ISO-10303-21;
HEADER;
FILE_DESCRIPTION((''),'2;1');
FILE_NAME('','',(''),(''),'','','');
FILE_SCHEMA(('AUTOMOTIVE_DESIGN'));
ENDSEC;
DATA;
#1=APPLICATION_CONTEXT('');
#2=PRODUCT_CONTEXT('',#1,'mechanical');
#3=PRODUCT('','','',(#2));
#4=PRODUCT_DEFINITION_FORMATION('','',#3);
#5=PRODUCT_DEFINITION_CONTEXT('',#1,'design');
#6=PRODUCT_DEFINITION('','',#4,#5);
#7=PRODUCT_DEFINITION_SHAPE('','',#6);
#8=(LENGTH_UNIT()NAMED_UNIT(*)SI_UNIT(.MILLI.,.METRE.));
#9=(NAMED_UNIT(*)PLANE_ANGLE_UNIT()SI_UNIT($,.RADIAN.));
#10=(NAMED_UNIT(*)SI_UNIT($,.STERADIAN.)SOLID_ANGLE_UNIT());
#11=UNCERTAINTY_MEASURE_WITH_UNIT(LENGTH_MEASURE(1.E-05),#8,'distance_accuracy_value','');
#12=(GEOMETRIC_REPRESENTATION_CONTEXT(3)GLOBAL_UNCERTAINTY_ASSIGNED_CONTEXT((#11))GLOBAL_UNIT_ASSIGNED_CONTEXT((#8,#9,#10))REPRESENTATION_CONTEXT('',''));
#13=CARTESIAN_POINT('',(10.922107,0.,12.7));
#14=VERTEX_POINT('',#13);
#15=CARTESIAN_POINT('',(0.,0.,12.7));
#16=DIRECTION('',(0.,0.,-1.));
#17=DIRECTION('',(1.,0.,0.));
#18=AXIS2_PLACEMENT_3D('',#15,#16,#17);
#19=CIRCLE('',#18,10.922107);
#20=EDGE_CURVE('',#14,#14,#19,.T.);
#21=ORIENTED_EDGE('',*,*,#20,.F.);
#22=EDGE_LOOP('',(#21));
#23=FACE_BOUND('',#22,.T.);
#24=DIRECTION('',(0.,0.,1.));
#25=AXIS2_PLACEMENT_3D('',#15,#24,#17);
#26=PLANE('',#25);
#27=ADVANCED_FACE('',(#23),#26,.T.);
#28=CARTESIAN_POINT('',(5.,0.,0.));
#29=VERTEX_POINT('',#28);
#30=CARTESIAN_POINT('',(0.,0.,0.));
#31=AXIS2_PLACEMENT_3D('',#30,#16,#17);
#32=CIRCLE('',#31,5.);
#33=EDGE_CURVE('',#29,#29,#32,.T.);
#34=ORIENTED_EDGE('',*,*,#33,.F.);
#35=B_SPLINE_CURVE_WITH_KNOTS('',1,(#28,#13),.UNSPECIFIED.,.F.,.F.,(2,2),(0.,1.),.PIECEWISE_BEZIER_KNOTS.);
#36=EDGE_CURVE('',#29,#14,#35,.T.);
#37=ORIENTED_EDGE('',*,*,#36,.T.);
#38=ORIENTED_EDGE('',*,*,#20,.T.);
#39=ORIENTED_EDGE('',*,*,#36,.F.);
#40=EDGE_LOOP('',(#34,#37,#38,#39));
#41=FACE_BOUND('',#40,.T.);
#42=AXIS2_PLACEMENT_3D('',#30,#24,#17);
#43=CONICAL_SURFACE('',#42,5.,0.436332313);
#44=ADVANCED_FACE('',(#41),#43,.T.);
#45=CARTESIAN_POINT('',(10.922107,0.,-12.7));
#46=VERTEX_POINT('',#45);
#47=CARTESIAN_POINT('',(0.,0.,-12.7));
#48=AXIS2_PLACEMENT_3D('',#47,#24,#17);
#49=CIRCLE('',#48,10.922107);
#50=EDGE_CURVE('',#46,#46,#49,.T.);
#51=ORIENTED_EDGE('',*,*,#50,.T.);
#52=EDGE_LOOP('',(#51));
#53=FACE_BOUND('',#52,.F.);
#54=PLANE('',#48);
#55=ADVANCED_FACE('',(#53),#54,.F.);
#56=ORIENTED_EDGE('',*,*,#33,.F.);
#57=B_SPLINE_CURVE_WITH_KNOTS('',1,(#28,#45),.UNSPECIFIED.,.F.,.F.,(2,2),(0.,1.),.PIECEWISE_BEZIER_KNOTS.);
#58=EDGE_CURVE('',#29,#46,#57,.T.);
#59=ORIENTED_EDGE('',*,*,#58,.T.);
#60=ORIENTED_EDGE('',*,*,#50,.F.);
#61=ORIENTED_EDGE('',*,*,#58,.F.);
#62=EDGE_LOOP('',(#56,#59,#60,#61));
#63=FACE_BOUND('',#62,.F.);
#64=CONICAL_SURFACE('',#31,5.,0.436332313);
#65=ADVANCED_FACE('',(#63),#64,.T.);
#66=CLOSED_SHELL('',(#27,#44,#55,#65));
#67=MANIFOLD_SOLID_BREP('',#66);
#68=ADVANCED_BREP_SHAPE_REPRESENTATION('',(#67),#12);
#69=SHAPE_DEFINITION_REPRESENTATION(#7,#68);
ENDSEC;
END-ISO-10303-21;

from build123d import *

# Parameters (mm, degrees)
F0_R     = 5
F1_DEPTH = 12.7
F1_TAPER = -25


with BuildPart() as f1:
    # F0 (on Top) → F1 (new body, symmetric)
    with BuildSketch(Plane.XY):
        Circle(F0_R)
    extrude(amount=F1_DEPTH, both=True, taper=F1_TAPER)


solid = f1.part
